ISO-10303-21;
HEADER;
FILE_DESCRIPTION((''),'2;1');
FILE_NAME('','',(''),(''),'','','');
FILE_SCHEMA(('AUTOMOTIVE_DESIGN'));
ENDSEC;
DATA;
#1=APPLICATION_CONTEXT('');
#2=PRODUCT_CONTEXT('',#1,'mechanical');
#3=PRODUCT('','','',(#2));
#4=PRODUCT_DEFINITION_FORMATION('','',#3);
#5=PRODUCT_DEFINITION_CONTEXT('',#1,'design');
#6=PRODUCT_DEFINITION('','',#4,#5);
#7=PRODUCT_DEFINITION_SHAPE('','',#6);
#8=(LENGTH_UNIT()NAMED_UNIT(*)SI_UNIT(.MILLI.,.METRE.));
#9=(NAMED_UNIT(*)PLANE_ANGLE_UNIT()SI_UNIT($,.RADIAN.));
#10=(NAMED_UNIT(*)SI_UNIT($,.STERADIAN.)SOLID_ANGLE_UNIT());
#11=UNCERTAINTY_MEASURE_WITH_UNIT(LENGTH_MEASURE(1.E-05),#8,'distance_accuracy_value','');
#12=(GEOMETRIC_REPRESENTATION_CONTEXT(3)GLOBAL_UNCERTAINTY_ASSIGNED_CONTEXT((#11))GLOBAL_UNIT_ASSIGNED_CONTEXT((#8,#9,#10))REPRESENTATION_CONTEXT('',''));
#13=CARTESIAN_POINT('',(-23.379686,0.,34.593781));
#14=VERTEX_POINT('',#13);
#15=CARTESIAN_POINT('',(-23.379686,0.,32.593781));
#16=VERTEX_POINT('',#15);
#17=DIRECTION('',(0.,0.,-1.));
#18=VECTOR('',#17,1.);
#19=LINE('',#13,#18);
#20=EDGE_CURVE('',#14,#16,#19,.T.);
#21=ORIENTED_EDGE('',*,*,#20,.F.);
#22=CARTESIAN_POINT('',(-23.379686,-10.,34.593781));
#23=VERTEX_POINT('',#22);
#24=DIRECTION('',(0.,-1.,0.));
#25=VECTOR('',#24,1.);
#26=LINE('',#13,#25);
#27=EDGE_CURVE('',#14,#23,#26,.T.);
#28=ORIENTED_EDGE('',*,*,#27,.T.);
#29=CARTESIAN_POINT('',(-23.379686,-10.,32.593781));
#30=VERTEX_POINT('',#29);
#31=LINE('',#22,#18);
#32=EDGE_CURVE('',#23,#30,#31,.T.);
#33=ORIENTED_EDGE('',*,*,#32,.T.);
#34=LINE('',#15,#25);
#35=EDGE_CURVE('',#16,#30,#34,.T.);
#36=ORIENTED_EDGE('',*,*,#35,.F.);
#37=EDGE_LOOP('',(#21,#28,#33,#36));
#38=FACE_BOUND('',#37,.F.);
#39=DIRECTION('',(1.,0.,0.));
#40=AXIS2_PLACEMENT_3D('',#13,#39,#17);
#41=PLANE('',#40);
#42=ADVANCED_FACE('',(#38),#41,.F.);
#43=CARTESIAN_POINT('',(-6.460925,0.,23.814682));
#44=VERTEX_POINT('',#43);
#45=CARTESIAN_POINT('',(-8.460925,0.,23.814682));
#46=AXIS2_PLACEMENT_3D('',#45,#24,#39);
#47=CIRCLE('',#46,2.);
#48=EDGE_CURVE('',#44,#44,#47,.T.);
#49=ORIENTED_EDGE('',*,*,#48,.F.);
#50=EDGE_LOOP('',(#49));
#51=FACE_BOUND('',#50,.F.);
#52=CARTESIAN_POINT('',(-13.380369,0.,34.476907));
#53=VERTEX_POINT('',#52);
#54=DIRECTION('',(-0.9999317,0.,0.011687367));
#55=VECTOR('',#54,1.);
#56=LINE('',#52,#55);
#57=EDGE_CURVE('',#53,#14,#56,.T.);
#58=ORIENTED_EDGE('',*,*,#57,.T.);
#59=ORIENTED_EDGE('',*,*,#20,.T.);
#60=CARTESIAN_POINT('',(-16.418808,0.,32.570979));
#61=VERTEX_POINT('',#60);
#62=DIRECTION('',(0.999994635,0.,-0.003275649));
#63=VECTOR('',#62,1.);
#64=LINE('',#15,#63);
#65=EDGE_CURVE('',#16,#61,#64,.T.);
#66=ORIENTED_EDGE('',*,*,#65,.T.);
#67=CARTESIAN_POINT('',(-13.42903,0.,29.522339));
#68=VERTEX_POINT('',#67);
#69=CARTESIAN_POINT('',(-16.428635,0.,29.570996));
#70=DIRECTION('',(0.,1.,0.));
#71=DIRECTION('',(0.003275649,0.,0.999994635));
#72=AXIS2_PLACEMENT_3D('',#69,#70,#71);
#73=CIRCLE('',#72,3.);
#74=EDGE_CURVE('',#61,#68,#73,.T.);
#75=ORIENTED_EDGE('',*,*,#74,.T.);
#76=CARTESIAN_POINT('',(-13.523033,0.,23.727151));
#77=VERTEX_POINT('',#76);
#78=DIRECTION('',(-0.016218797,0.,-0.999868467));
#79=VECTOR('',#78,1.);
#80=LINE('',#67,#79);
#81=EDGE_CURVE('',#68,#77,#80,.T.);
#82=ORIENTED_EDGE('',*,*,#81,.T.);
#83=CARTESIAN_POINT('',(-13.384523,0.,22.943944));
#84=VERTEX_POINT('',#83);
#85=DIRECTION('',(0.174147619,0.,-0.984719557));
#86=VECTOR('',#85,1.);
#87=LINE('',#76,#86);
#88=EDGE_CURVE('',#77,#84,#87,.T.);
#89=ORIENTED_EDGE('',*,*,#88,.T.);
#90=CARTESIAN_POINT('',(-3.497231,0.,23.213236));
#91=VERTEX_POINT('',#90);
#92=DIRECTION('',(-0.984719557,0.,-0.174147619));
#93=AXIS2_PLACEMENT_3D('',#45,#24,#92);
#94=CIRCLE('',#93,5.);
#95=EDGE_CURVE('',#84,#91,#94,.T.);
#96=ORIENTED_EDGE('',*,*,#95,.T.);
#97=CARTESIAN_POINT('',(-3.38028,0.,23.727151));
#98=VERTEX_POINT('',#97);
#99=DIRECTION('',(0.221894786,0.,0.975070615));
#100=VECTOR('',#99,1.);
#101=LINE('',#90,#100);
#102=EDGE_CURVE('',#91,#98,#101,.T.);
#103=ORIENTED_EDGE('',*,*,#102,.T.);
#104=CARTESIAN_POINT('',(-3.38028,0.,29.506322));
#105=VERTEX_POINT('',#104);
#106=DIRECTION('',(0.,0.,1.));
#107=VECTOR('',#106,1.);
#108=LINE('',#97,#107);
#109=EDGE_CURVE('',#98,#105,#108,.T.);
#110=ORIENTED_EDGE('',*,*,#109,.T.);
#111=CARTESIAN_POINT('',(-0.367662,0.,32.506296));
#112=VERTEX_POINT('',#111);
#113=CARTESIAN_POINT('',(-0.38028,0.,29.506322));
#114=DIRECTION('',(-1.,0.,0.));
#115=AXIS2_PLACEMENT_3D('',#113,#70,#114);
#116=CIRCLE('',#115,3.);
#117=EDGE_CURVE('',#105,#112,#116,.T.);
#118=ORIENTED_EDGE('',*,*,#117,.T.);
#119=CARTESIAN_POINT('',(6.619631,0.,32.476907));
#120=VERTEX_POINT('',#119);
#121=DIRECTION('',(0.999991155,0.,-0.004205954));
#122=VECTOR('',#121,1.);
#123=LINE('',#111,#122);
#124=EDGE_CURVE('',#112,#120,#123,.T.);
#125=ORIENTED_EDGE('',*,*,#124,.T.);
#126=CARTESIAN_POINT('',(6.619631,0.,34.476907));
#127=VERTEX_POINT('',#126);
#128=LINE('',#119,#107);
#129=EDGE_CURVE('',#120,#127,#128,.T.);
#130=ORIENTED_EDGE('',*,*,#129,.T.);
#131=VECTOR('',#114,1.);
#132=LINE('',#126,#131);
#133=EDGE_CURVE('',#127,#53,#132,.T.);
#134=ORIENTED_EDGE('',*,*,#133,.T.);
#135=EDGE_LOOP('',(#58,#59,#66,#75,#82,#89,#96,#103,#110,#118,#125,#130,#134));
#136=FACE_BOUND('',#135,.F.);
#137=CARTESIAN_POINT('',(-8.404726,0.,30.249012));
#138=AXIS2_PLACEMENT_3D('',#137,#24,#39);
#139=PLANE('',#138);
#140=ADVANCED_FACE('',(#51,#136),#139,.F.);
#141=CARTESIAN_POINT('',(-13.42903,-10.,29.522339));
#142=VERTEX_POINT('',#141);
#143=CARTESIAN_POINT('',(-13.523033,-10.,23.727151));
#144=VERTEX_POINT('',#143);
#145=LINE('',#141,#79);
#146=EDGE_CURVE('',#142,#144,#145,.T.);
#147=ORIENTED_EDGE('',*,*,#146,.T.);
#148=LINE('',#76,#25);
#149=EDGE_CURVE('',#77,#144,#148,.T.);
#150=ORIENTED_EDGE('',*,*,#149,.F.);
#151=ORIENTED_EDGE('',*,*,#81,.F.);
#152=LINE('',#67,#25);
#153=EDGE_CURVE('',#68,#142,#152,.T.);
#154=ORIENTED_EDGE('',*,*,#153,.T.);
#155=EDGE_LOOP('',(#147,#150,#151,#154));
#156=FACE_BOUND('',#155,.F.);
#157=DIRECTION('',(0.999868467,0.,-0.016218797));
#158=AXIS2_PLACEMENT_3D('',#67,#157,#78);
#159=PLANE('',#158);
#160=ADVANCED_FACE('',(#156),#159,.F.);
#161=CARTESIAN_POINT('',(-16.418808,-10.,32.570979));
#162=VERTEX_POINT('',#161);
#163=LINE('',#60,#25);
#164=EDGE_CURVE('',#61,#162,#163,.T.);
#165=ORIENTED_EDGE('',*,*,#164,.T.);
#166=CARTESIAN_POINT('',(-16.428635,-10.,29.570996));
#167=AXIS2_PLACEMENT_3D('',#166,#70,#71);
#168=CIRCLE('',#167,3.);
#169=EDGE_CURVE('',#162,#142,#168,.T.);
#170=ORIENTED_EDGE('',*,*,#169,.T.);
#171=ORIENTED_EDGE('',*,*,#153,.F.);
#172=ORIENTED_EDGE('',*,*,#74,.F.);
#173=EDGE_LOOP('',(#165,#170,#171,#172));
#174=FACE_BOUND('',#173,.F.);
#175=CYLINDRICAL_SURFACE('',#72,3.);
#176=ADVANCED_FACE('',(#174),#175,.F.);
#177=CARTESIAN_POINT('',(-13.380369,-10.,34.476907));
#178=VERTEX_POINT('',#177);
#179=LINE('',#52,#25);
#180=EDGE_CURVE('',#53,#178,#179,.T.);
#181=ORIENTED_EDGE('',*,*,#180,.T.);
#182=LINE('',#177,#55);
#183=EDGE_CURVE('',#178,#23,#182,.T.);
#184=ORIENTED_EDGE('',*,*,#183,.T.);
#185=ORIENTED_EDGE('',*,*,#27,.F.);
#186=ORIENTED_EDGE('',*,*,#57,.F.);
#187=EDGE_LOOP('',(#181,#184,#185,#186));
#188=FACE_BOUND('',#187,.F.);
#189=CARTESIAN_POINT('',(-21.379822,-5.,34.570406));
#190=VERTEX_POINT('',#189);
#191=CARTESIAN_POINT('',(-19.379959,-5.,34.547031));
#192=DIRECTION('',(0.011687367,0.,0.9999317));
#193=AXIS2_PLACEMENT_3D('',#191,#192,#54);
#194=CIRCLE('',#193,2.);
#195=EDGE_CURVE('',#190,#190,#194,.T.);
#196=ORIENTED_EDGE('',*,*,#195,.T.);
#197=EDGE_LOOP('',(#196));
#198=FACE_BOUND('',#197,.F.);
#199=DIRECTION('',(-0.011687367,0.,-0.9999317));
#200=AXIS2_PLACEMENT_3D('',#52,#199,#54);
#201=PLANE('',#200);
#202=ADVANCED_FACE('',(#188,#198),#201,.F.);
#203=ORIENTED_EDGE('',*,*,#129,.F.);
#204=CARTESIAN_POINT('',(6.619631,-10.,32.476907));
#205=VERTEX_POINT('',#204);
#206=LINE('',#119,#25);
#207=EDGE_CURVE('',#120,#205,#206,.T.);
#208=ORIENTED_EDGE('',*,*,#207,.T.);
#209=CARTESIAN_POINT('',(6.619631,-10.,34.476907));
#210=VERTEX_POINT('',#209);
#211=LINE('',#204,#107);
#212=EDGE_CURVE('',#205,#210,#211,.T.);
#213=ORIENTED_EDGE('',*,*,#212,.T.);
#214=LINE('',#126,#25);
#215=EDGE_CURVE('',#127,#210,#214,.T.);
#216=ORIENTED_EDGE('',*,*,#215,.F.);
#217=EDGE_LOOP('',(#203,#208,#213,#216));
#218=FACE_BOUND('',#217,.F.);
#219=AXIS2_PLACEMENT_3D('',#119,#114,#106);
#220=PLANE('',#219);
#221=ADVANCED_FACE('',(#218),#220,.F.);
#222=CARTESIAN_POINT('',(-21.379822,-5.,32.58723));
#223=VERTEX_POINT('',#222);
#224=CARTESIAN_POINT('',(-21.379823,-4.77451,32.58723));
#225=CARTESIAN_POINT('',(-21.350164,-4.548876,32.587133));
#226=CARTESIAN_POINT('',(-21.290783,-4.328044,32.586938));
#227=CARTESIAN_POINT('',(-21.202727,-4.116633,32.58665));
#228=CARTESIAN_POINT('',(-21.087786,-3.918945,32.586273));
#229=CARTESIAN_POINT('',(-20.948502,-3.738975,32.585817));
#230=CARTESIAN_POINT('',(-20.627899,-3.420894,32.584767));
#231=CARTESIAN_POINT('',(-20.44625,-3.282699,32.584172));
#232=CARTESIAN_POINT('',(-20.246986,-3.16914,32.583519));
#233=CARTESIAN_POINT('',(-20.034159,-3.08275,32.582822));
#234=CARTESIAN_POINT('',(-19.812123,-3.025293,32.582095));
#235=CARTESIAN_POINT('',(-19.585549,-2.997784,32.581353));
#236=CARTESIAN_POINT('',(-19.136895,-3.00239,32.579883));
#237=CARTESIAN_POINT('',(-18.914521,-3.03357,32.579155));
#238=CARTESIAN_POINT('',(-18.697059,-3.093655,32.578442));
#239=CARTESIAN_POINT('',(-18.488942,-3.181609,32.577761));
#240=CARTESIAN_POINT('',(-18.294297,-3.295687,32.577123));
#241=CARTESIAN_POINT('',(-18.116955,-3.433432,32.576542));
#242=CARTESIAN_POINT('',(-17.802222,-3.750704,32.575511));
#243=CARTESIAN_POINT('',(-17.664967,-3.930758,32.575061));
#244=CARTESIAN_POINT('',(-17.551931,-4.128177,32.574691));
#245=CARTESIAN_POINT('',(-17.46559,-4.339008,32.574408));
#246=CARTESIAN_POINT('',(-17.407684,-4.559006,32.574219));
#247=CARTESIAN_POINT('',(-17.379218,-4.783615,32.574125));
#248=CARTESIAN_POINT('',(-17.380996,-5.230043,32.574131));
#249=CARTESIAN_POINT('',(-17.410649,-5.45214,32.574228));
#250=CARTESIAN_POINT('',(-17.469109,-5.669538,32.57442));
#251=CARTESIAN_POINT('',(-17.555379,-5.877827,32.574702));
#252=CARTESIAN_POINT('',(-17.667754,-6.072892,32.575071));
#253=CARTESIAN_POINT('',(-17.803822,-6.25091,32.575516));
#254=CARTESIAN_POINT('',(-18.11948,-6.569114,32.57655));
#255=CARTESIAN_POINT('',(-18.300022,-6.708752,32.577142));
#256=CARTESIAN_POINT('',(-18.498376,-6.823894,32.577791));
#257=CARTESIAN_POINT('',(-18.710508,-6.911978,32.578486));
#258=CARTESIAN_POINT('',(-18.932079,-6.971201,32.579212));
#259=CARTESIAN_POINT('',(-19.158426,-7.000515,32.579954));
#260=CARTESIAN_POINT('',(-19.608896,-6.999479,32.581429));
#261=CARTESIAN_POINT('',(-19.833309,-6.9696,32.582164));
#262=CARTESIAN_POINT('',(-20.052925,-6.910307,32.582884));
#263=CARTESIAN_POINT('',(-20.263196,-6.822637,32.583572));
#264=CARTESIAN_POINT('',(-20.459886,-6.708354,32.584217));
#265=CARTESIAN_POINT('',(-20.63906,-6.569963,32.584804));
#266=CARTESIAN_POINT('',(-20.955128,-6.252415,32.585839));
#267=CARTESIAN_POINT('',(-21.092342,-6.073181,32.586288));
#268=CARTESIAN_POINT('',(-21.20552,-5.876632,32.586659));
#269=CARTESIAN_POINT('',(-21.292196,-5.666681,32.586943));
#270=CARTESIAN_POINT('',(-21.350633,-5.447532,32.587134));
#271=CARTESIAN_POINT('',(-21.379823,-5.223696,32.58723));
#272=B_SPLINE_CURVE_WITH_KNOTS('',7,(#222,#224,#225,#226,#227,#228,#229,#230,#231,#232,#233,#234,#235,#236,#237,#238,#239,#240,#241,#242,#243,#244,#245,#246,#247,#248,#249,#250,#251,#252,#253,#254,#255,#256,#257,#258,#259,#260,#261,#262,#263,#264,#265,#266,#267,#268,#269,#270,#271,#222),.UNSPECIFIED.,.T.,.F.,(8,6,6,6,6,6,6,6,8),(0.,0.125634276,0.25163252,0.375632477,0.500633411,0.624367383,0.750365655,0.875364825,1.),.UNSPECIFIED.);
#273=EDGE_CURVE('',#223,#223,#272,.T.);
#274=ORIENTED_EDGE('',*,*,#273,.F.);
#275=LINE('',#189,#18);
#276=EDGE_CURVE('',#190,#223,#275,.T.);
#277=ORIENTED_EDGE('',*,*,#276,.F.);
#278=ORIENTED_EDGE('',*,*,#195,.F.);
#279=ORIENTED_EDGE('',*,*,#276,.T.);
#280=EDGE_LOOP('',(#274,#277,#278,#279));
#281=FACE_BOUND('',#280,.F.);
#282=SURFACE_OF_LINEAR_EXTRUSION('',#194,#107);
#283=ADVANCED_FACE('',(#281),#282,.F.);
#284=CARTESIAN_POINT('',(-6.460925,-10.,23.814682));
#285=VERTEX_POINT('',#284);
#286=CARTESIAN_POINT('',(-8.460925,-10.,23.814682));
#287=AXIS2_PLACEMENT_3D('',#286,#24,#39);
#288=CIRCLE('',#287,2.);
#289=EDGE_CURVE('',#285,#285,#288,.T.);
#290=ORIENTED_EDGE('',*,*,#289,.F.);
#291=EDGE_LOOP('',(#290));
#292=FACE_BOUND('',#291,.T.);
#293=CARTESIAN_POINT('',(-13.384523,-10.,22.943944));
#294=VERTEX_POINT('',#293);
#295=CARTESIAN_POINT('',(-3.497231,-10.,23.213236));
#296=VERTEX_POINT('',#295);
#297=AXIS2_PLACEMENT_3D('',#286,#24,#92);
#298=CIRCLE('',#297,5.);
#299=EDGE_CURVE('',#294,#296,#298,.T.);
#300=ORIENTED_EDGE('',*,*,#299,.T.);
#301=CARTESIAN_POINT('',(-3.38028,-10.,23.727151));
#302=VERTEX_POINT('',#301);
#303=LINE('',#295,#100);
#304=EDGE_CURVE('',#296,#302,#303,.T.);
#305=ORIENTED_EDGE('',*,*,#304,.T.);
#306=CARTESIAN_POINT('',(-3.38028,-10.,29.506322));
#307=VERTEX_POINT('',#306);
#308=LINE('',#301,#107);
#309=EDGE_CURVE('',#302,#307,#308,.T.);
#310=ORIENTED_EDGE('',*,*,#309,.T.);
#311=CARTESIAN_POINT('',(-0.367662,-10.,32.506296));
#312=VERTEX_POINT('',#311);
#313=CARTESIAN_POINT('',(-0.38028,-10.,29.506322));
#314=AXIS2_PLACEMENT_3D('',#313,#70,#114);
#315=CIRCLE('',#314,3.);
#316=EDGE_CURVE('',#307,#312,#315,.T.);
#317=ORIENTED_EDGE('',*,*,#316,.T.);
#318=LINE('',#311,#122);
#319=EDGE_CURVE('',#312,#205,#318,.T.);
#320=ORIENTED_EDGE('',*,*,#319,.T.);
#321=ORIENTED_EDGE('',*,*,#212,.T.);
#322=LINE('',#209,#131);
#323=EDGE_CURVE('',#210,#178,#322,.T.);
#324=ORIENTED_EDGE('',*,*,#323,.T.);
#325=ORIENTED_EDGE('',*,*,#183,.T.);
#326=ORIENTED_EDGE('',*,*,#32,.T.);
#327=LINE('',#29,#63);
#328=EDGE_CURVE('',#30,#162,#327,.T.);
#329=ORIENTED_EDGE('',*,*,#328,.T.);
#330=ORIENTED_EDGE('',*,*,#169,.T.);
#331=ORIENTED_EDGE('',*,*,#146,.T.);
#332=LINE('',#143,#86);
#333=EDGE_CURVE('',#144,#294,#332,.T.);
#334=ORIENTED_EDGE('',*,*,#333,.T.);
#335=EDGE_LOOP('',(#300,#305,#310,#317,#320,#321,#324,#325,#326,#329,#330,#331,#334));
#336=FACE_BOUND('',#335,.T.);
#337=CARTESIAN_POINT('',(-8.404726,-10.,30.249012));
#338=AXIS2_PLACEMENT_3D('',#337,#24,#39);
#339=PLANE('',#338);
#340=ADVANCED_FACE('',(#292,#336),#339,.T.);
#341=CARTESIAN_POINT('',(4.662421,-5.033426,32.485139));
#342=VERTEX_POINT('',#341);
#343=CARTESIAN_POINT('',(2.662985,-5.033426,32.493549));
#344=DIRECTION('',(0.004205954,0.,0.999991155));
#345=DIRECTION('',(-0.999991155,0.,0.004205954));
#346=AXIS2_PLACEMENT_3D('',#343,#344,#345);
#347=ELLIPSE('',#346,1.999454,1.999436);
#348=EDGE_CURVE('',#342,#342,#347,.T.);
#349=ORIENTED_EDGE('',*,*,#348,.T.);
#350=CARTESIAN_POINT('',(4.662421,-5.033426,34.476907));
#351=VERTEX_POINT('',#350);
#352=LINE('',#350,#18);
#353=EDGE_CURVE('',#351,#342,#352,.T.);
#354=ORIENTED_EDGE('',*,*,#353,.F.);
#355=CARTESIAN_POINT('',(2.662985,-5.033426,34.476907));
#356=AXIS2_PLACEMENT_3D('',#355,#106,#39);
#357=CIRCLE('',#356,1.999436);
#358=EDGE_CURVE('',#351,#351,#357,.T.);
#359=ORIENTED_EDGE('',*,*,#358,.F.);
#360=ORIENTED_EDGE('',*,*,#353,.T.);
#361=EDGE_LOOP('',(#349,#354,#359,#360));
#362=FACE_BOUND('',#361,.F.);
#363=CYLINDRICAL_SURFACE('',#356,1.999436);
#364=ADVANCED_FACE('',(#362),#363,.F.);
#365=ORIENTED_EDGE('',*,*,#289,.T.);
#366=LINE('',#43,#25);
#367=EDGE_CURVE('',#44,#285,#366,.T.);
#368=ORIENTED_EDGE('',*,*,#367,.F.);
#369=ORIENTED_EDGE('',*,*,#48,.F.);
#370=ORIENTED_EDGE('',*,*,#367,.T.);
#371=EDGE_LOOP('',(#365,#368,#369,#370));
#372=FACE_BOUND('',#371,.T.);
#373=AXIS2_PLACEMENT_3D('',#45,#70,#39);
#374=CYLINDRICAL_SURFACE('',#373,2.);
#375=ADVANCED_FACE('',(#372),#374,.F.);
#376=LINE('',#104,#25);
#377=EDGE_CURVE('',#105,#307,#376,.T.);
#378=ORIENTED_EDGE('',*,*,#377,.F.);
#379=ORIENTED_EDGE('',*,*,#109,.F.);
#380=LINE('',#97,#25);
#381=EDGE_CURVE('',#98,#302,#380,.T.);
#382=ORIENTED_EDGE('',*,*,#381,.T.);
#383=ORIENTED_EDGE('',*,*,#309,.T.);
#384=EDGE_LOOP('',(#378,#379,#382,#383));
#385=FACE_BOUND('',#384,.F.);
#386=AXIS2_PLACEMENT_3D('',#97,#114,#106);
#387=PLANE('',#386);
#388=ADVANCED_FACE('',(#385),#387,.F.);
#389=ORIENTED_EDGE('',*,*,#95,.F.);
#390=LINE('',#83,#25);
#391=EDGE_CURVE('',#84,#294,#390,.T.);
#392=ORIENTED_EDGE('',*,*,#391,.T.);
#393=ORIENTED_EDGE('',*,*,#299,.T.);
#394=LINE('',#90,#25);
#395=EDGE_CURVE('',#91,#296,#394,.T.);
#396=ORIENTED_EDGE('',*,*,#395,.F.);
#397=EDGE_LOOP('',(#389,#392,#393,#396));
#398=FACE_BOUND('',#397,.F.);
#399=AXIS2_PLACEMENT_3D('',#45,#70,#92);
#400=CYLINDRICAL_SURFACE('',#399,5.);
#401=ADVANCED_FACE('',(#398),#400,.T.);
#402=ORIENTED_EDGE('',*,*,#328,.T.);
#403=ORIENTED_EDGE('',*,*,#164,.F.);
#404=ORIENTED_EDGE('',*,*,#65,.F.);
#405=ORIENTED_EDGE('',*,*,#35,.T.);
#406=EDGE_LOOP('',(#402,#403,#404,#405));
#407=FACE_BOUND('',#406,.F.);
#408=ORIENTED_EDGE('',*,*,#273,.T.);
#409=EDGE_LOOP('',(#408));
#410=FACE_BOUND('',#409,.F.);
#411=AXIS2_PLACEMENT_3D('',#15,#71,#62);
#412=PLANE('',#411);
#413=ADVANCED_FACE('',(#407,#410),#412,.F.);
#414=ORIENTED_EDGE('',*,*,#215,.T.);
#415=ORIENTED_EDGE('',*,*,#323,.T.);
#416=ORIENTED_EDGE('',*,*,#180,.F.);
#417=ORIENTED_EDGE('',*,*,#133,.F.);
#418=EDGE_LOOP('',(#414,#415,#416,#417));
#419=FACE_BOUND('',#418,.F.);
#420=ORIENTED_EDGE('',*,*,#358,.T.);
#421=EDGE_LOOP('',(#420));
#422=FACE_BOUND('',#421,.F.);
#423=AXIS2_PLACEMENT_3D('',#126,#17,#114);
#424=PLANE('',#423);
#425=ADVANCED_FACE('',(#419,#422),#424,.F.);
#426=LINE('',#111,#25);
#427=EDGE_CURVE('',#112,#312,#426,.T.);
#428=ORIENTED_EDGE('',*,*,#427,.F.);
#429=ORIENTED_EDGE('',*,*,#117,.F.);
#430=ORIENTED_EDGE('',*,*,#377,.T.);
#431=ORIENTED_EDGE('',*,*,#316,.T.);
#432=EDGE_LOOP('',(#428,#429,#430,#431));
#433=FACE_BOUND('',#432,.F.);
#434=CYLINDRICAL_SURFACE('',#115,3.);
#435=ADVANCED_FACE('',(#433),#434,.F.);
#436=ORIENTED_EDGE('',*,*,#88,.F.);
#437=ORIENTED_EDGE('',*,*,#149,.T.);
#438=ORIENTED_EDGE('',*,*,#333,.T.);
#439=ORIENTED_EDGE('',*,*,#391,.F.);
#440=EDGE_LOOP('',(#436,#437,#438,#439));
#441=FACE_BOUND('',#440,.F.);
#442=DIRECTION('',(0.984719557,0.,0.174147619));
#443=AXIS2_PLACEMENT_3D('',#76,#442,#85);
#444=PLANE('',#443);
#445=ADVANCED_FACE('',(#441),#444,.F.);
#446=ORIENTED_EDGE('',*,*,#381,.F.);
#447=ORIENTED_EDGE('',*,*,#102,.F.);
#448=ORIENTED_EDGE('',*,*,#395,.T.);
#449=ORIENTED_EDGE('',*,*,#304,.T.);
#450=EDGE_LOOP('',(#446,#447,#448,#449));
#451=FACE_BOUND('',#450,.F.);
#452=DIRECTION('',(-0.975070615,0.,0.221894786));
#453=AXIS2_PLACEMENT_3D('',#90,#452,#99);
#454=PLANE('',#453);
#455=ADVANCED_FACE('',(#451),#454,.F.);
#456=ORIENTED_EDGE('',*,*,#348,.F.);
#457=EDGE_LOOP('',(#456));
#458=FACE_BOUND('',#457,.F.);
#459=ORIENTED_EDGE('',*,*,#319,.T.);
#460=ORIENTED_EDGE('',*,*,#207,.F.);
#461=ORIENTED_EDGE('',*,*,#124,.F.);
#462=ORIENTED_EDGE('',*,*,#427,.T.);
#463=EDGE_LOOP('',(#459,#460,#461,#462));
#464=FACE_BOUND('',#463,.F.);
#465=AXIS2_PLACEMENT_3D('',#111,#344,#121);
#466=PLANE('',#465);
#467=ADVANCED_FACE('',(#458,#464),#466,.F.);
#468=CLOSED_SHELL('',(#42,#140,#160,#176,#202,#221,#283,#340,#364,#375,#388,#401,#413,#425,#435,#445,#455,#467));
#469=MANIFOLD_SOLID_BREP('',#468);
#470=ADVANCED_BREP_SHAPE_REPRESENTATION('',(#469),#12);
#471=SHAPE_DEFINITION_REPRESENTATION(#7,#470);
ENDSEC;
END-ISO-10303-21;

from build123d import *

# Parameters (mm, degrees)
F0_R     = 2
F1_DEPTH = 10
F4_R     = 1.9994360872
F5_DEPTH = 25


with BuildPart() as f1:
    # F0 (on Front) → F1 (new body)
    with BuildSketch(Plane.XZ):
        with BuildLine():
            Line((-13.3803687566, 34.4769072979), (-23.3796857605, 34.5937809646))
            Line((-23.3796857605, 34.5937809646), (-23.3796857605, 32.5937809646))
            Line((-23.3796857605, 32.5937809646), (-16.4188081641, 32.5709794471))
            ThreePointArc((-16.4188081641, 32.5709794471), (-14.2867381316, 31.6715376918), (-13.4290297126, 29.5223391521))
            Line((-13.4290297126, 29.5223391521), (-13.5230330612, 23.7271506339))
            Line((-13.5230330612, 23.7271506339), (-13.3845230369, 22.9439442348))
            ThreePointArc((-13.3845230369, 22.9439442348), (-8.3247951802, 18.8165358143), (-3.4972308751, 23.2132356145))
            Line((-3.4972308751, 23.2132356145), (-3.3802803059, 23.7271506339))
            Line((-3.3802803059, 23.7271506339), (-3.3802803059, 29.506322327))
            ThreePointArc((-3.3802803059, 29.506322327), (-2.4971348612, 31.6320990773), (-0.3676624447, 32.5062957918))
            Line((-0.3676624447, 32.5062957918), (6.6196312434, 32.4769072979))
            Line((6.6196312434, 32.4769072979), (6.6196312434, 34.4769072979))
            Line((6.6196312434, 34.4769072979), (-3.3803687566, 34.4769072979))
            Line((-3.3803687566, 34.4769072979), (-13.3803687566, 34.4769072979))
        make_face()
        with Locations((-8.46092525, 23.8146823311)):
            Circle(F0_R, mode=Mode.SUBTRACT)
    extrude(amount=F1_DEPTH)

    # F4 (on face) + F2 (on face) → F5 (cut)
    with BuildSketch(Plane.XY.offset(34.4769072979)):
        with Locations((2.6629853528, -5.0334255211)):
            Circle(F4_R)
    with BuildSketch(Plane(origin=(0.4010890512, 0, 34.3158273454), x_dir=(0.9999317004, 0, -0.0116873667), z_dir=(0.0116873667, 0, 0.9999317004))):
        with BuildLine():
            Line((-21.7823991401, -5), (-19.7823991401, -5))
            Line((-19.7823991401, -5), (-17.7823991401, -5))
            ThreePointArc((-17.7823991401, -5), (-19.7823991401, -3), (-21.7823991401, -5))
        make_face()
        with BuildLine():
            Line((-17.7823991401, -5), (-19.7823991401, -5))
            Line((-19.7823991401, -5), (-21.7823991401, -5))
            ThreePointArc((-21.7823991401, -5), (-19.7823991401, -7), (-17.7823991401, -5))
        make_face()
    extrude(amount=-F5_DEPTH, dir=(0, 0, 1), mode=Mode.SUBTRACT)


solid = f1.part
